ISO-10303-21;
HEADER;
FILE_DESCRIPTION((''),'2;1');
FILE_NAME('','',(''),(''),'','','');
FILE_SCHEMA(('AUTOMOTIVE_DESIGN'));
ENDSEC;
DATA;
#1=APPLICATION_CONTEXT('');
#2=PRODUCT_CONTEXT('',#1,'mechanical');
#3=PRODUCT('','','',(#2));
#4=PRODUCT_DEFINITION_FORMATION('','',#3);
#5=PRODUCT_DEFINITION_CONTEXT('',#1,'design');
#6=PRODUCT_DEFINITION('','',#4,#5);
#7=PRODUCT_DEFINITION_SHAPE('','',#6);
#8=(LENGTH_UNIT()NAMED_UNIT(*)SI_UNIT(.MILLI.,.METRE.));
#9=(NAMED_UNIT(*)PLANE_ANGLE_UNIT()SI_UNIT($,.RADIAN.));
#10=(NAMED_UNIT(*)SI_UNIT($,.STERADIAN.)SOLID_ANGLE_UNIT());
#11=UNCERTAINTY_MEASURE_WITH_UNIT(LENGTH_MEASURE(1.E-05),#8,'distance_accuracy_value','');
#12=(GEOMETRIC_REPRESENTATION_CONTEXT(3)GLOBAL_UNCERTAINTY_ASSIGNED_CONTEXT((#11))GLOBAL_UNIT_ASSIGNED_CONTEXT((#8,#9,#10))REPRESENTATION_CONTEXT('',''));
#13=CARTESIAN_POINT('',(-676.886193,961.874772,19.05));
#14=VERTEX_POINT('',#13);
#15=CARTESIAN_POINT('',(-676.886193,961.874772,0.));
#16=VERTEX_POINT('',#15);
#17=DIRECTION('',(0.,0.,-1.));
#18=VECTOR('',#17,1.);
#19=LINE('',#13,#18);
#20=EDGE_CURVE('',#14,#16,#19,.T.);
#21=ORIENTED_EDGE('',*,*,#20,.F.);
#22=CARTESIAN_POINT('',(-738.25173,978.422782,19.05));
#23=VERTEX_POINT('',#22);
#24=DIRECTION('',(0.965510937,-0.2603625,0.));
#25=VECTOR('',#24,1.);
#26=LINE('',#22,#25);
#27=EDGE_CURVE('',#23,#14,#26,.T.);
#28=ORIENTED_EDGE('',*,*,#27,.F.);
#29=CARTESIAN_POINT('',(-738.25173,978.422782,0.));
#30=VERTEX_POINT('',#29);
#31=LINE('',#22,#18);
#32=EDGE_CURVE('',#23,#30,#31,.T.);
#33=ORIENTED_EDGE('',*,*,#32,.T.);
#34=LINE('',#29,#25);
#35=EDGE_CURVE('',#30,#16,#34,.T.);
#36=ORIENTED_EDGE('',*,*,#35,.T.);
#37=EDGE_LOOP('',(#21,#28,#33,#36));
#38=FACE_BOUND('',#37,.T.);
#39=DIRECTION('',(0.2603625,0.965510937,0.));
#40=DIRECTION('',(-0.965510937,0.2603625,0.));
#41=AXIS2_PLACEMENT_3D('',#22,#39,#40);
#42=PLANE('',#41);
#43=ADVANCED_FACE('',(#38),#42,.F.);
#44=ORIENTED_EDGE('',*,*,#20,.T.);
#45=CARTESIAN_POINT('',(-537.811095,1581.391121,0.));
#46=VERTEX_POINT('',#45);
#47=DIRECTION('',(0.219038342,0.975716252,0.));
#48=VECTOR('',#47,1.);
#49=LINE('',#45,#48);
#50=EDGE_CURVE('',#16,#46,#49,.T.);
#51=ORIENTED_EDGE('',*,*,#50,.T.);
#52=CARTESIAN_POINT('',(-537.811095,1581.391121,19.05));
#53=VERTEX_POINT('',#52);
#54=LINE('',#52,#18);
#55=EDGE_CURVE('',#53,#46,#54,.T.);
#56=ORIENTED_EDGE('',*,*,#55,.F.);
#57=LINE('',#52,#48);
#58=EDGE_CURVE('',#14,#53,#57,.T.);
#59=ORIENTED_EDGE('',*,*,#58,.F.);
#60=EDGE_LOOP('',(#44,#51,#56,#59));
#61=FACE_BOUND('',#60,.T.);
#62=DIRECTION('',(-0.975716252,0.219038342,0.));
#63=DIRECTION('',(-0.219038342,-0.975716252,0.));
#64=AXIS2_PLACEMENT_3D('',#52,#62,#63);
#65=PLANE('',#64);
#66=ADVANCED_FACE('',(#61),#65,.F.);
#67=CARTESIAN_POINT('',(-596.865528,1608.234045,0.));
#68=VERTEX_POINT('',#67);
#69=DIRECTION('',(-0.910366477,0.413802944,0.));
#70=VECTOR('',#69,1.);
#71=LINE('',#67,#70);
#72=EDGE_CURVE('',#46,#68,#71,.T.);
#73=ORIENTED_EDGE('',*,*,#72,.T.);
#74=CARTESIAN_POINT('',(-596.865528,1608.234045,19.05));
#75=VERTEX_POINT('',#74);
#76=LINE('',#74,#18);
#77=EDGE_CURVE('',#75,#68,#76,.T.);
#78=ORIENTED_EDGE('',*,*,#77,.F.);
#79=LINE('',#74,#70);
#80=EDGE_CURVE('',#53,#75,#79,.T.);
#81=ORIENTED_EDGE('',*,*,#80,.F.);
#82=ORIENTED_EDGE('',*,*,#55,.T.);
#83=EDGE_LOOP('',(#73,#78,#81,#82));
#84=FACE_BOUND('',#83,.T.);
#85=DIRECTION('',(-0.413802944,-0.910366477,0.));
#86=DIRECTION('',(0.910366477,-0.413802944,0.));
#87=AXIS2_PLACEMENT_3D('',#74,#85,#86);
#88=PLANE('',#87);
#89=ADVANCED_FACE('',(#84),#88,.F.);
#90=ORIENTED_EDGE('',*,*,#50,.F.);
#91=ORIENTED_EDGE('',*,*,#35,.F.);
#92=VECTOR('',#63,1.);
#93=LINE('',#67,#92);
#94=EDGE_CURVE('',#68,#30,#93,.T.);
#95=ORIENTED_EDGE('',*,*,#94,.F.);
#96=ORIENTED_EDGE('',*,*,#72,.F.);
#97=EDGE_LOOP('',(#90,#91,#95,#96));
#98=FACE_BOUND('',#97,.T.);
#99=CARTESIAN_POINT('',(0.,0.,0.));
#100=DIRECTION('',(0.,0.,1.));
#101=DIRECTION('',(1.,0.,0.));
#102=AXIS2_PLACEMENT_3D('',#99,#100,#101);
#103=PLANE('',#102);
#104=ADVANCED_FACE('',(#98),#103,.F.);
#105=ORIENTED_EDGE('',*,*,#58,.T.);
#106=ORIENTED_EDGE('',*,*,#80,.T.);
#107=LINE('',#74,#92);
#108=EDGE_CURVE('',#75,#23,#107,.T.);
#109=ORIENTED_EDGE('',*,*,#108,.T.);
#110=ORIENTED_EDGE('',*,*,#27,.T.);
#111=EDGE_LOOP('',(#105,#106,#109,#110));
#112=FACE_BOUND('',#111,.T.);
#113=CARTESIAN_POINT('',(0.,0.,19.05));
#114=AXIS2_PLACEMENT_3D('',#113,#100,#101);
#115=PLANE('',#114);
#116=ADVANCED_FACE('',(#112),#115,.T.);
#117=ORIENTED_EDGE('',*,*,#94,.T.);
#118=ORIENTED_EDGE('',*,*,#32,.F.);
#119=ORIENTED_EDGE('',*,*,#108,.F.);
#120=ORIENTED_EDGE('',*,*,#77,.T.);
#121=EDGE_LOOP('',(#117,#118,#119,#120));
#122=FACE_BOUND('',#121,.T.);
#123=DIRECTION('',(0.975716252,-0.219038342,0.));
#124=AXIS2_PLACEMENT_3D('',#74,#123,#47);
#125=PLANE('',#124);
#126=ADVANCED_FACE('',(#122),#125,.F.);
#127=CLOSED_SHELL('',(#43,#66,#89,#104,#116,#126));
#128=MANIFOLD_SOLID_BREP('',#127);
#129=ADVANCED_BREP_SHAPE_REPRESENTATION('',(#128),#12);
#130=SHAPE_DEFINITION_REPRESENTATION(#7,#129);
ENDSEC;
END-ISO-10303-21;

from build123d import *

# Parameters (mm, degrees)
BOSS_EXTRUDE1_DEPTH = 19.05


with BuildPart() as part:
    # Sketch6 → Boss-Extrude1 (new body)
    with BuildSketch(Plane.XY):
        Polygon((-596.865528173, 1608.234044775), (-738.251729964, 978.422782255), (-676.886193392, 961.874772393), (-537.811094831, 1581.391120529), align=None)
    extrude(amount=BOSS_EXTRUDE1_DEPTH)


solid = part.part
